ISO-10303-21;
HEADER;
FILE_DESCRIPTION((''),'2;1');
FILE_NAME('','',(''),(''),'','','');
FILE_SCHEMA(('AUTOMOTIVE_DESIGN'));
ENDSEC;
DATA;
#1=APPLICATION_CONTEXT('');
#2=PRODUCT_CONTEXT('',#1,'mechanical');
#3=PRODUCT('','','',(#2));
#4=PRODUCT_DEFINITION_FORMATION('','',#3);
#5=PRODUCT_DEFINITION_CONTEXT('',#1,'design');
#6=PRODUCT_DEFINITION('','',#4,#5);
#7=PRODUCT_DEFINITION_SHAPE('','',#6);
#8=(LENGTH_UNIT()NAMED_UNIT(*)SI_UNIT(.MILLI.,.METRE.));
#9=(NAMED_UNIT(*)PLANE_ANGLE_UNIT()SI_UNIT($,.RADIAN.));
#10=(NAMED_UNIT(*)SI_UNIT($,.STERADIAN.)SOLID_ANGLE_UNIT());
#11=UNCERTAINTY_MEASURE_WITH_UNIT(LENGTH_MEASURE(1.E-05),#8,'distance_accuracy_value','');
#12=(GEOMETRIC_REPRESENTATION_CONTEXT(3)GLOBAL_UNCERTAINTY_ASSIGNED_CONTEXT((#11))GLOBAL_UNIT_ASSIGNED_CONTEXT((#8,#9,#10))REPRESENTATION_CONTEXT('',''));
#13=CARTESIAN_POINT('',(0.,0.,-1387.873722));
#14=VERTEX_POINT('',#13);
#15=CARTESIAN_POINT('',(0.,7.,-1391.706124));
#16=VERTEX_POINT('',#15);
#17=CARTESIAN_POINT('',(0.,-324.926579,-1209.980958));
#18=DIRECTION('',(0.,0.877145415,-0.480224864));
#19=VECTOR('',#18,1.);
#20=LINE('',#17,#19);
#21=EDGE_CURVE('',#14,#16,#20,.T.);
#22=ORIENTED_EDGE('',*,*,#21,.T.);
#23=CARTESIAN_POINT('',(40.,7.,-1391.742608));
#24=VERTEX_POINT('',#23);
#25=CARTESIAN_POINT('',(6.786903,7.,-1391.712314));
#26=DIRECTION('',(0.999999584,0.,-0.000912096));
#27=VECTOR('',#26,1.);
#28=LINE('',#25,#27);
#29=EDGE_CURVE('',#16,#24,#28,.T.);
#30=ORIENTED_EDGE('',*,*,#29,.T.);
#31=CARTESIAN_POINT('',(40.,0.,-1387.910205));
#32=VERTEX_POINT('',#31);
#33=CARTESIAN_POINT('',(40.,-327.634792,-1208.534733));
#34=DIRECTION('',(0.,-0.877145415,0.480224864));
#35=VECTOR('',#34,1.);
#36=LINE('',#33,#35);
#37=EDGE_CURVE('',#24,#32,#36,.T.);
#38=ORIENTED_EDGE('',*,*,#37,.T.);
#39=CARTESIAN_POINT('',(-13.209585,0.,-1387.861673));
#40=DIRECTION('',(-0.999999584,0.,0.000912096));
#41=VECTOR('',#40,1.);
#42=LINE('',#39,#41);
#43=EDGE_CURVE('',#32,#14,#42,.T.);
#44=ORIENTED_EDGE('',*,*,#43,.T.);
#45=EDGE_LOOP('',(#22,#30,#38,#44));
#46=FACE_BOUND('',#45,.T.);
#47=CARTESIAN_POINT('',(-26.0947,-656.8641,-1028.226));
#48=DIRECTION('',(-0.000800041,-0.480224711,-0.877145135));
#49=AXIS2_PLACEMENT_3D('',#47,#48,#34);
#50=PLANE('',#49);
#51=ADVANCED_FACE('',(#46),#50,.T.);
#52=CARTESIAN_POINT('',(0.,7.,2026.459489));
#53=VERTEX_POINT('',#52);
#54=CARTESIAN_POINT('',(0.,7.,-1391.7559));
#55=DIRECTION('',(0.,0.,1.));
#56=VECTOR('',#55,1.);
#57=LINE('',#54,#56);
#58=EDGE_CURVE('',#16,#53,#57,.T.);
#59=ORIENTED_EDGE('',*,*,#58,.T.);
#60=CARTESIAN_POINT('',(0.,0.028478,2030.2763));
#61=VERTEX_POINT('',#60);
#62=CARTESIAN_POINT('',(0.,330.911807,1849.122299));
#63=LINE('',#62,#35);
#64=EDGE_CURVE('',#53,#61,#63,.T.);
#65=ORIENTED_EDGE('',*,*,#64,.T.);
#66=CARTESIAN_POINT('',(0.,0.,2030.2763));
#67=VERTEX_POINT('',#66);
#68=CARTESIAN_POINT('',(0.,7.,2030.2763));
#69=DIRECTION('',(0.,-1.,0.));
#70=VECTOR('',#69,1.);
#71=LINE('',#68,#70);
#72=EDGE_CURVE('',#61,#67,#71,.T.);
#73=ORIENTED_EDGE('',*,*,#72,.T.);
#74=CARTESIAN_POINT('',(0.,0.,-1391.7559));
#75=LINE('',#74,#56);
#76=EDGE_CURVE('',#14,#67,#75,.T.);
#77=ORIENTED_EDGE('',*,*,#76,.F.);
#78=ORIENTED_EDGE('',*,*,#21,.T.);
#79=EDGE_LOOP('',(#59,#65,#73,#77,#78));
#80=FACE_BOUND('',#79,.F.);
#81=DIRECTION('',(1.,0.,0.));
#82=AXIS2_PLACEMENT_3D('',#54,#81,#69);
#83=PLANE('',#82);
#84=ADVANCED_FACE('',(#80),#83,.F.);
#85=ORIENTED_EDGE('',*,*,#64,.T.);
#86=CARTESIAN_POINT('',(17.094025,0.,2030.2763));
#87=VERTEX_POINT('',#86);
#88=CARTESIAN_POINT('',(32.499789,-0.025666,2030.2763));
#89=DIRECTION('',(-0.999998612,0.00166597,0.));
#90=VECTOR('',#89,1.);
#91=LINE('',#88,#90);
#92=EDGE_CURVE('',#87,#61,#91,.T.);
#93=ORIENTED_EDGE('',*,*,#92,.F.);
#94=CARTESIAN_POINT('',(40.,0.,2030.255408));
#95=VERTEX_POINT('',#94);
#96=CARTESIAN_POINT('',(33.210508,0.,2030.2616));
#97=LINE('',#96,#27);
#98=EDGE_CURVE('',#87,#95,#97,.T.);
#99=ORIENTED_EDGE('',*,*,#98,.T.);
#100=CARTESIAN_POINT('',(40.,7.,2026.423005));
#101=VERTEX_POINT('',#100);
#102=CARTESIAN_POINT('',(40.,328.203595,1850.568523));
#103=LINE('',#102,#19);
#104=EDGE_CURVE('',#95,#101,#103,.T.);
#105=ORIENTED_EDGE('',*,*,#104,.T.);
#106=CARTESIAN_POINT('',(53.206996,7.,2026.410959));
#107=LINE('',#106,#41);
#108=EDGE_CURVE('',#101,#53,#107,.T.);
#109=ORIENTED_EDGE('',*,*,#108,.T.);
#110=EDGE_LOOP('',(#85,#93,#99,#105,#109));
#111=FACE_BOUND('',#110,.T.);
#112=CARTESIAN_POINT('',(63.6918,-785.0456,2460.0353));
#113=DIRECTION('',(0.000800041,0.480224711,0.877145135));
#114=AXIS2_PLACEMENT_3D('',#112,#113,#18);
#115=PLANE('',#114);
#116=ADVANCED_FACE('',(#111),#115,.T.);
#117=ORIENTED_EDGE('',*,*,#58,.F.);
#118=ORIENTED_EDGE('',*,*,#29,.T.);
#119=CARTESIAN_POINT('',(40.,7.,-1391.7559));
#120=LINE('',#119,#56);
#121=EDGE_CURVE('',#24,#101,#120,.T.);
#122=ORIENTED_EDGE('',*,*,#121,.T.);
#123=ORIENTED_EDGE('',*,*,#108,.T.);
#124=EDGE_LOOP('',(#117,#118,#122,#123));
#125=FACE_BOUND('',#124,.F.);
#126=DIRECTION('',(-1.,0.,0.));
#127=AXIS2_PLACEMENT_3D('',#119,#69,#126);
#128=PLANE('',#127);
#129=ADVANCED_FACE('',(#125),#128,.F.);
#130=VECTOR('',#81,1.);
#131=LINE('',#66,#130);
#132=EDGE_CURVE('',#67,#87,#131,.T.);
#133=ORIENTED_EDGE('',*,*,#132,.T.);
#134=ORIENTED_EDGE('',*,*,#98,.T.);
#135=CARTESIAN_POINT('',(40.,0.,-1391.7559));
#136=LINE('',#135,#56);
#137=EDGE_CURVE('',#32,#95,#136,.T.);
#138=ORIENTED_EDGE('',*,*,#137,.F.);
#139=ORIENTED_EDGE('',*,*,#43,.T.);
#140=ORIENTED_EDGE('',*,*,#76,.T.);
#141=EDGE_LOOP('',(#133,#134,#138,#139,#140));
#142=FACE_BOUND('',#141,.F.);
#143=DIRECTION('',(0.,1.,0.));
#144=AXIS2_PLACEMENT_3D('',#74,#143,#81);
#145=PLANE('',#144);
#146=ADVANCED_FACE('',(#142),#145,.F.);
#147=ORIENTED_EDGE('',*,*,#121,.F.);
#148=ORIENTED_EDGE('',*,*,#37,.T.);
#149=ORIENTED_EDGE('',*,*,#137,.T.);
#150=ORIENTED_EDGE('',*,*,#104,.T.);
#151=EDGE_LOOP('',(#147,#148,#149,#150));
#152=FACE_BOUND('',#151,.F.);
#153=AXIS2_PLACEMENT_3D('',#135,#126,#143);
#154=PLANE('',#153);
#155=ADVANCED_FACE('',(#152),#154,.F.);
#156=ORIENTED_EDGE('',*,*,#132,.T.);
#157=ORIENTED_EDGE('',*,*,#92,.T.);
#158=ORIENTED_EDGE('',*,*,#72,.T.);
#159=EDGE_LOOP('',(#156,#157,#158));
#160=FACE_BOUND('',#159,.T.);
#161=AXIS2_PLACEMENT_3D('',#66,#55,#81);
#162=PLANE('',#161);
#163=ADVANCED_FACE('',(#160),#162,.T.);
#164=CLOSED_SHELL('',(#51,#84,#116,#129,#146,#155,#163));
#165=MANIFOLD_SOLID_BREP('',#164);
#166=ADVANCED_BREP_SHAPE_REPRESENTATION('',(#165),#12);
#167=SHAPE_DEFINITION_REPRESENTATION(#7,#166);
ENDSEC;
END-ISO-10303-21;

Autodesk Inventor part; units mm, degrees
ref_plane "Начальная плоскость" through (0, 0, -1391.7559) normal (0, 0, 1) x (1, 0, 0)
ref_plane "Конечная плоскость" through (0, 0, 2030.2763) normal (0, 0, 1) x (1, 0, 0)
sketch "Эскиз" plane through (0, 0, 0) normal (0, 0, 1) x (1, 0, 0)
  line L0 (0, 0) -> (40, 0)
  line L1 (40, 0) -> (40, 7)
  line L2 (40, 7) -> (0, 7)
  line L3 (0, 7) -> (0, 0)
  point P0 (0, 0)
extrude "Тело" add sketch "Эскиз" along normal up to surface (3422.0322 mm away) from surface at -1391.7559
sketch "Эскиз6" plane through (0, 0, 0) normal (0, 0, 1) x (1, 0, 0)
  line L0 (0, 0) -> (10, 0)
ref_plane "РабПлоскость5" through (0, 0, 0) normal (0, -1, 0) x (1, 0, 0)
sketch "Эскиз7" plane through (0, 0, 0) normal (0, -1, 0) x (1, 0, 0)
  line L0 (-2, -1391.7559) -> (12, -1391.7559)
  line L1 (-2, 2030.2763) -> (12, 2030.2763)
  dimension "d17" = 3422.0322
ref_plane "РабПлоскость6" through (-26.0947, -656.8641, -1028.226) normal (-0.0008, -0.4802, -0.8771) x (1, -0.0031, 0.0008)
split "Разделение1" plane through (-26.0947, -656.8641, -1028.226) removes the side toward (-0.0008, -0.4802, -0.8771)
ref_plane "РабПлоскость7" through (63.6918, -785.0456, 2460.0353) normal (0.0008, 0.4802, 0.8771) x (1, -0.0002, -0.0008)
split "Разделение2" plane through (63.6918, -785.0456, 2460.0353) removes the side toward (0.0008, 0.4802, 0.8771)
equation "\"G_OFFSET_START\" = 1391.75591"
equation "\"G_OFFSET_END\" = 225.6187"
equation "\"d12\" = -G_OFFSET_START"
equation "\"G_L\" = d17"
equation "\"ДЛИНА\" = 3422.0322"
properties part number "Планка перил 40х7" material "Береза"
